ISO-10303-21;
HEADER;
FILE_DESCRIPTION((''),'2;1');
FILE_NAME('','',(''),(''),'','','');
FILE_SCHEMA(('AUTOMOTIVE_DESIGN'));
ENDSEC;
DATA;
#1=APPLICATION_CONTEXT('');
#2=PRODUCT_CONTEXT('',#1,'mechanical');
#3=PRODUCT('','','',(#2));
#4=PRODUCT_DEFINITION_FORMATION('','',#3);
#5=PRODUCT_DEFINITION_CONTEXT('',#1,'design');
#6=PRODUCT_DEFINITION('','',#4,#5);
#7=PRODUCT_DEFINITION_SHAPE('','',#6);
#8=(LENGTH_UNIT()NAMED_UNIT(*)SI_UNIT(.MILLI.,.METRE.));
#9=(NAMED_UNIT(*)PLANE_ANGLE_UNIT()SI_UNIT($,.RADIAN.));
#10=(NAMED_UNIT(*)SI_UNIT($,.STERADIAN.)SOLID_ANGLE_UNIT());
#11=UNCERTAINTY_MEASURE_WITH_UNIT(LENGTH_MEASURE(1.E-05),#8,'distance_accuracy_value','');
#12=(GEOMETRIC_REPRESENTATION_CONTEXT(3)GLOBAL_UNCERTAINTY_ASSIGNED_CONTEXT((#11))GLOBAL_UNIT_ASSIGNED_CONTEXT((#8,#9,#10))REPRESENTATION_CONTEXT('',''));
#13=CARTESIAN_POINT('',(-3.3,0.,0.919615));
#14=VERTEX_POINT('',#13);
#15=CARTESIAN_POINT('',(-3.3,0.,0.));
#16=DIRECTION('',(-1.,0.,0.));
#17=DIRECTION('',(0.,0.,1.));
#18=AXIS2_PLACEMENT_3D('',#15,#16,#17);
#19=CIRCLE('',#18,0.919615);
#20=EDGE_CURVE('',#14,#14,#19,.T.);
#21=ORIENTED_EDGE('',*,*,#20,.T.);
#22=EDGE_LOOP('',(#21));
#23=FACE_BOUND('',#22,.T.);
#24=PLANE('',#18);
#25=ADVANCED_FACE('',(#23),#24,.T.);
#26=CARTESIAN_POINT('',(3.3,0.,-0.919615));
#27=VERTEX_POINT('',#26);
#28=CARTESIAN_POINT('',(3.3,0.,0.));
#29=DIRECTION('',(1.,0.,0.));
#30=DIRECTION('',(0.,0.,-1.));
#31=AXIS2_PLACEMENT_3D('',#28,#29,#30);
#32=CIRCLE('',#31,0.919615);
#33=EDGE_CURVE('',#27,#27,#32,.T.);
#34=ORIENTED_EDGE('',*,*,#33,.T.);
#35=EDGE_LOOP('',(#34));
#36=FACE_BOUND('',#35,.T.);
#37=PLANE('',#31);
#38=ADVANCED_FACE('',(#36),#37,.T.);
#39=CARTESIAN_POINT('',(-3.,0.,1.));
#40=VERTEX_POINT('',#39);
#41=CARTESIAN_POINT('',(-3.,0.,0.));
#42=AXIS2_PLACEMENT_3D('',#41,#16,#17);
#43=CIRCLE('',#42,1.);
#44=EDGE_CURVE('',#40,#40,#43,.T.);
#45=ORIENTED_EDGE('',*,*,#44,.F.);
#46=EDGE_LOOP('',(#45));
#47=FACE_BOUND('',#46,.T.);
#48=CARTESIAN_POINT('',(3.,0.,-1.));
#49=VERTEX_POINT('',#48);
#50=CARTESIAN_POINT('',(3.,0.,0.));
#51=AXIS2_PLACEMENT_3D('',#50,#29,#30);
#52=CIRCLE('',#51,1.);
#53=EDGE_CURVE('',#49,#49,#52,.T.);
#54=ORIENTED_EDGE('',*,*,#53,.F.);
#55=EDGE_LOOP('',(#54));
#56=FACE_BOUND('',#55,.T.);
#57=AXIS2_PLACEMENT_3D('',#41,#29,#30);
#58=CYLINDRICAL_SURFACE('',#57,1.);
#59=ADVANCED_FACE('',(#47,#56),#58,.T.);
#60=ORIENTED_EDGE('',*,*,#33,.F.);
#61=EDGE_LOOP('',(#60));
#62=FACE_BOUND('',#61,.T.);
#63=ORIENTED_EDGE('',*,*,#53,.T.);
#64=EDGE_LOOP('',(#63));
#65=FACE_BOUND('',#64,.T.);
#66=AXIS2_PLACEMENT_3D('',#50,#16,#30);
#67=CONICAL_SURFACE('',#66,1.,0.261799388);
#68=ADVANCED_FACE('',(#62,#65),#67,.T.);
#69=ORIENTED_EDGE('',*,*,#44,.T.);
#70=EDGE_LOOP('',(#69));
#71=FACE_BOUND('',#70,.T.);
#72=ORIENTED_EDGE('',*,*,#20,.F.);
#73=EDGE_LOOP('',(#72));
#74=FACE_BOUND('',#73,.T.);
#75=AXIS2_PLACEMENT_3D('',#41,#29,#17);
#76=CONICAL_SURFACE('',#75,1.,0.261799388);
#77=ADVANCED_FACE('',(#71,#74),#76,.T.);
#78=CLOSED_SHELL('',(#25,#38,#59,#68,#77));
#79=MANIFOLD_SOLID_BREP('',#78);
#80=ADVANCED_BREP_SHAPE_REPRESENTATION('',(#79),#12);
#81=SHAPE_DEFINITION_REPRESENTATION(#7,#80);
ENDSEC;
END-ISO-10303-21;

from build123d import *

# Parameters (mm, degrees)
SKETCH2_R           = 1
EXTRUDE1_DEPTH      = 3
EXTRUDE1_DEPTH_BACK = 3
SKETCH3_R           = 1
EXTRUDE2_DEPTH      = 0.3
EXTRUDE2_TAPER      = 15
SKETCH4_R           = 1
EXTRUDE3_DEPTH      = 0.3
EXTRUDE3_TAPER      = 15


with BuildPart() as part:
    # Sketch2 → Extrude1 (new body, two sides)
    with BuildSketch(Plane(origin=(0, 0, 0), x_dir=(0, 0, -1), z_dir=(1, 0, 0))) as extrude1_sk:
        Circle(SKETCH2_R)
    extrude(amount=EXTRUDE1_DEPTH)
    extrude(extrude1_sk.sketch, amount=-EXTRUDE1_DEPTH_BACK)

    # Sketch3 → Extrude2 (add)
    with BuildSketch(Plane(origin=(3, 0, 0), x_dir=(0, 0, -1), z_dir=(1, 0, 0))):
        Circle(SKETCH3_R)
    extrude(amount=EXTRUDE2_DEPTH, taper=EXTRUDE2_TAPER)

    # Sketch4 → Extrude3 (add)
    with BuildSketch(Plane.ZY.offset(3)):
        Circle(SKETCH4_R)
    extrude(amount=EXTRUDE3_DEPTH, taper=EXTRUDE3_TAPER)


solid = part.part
